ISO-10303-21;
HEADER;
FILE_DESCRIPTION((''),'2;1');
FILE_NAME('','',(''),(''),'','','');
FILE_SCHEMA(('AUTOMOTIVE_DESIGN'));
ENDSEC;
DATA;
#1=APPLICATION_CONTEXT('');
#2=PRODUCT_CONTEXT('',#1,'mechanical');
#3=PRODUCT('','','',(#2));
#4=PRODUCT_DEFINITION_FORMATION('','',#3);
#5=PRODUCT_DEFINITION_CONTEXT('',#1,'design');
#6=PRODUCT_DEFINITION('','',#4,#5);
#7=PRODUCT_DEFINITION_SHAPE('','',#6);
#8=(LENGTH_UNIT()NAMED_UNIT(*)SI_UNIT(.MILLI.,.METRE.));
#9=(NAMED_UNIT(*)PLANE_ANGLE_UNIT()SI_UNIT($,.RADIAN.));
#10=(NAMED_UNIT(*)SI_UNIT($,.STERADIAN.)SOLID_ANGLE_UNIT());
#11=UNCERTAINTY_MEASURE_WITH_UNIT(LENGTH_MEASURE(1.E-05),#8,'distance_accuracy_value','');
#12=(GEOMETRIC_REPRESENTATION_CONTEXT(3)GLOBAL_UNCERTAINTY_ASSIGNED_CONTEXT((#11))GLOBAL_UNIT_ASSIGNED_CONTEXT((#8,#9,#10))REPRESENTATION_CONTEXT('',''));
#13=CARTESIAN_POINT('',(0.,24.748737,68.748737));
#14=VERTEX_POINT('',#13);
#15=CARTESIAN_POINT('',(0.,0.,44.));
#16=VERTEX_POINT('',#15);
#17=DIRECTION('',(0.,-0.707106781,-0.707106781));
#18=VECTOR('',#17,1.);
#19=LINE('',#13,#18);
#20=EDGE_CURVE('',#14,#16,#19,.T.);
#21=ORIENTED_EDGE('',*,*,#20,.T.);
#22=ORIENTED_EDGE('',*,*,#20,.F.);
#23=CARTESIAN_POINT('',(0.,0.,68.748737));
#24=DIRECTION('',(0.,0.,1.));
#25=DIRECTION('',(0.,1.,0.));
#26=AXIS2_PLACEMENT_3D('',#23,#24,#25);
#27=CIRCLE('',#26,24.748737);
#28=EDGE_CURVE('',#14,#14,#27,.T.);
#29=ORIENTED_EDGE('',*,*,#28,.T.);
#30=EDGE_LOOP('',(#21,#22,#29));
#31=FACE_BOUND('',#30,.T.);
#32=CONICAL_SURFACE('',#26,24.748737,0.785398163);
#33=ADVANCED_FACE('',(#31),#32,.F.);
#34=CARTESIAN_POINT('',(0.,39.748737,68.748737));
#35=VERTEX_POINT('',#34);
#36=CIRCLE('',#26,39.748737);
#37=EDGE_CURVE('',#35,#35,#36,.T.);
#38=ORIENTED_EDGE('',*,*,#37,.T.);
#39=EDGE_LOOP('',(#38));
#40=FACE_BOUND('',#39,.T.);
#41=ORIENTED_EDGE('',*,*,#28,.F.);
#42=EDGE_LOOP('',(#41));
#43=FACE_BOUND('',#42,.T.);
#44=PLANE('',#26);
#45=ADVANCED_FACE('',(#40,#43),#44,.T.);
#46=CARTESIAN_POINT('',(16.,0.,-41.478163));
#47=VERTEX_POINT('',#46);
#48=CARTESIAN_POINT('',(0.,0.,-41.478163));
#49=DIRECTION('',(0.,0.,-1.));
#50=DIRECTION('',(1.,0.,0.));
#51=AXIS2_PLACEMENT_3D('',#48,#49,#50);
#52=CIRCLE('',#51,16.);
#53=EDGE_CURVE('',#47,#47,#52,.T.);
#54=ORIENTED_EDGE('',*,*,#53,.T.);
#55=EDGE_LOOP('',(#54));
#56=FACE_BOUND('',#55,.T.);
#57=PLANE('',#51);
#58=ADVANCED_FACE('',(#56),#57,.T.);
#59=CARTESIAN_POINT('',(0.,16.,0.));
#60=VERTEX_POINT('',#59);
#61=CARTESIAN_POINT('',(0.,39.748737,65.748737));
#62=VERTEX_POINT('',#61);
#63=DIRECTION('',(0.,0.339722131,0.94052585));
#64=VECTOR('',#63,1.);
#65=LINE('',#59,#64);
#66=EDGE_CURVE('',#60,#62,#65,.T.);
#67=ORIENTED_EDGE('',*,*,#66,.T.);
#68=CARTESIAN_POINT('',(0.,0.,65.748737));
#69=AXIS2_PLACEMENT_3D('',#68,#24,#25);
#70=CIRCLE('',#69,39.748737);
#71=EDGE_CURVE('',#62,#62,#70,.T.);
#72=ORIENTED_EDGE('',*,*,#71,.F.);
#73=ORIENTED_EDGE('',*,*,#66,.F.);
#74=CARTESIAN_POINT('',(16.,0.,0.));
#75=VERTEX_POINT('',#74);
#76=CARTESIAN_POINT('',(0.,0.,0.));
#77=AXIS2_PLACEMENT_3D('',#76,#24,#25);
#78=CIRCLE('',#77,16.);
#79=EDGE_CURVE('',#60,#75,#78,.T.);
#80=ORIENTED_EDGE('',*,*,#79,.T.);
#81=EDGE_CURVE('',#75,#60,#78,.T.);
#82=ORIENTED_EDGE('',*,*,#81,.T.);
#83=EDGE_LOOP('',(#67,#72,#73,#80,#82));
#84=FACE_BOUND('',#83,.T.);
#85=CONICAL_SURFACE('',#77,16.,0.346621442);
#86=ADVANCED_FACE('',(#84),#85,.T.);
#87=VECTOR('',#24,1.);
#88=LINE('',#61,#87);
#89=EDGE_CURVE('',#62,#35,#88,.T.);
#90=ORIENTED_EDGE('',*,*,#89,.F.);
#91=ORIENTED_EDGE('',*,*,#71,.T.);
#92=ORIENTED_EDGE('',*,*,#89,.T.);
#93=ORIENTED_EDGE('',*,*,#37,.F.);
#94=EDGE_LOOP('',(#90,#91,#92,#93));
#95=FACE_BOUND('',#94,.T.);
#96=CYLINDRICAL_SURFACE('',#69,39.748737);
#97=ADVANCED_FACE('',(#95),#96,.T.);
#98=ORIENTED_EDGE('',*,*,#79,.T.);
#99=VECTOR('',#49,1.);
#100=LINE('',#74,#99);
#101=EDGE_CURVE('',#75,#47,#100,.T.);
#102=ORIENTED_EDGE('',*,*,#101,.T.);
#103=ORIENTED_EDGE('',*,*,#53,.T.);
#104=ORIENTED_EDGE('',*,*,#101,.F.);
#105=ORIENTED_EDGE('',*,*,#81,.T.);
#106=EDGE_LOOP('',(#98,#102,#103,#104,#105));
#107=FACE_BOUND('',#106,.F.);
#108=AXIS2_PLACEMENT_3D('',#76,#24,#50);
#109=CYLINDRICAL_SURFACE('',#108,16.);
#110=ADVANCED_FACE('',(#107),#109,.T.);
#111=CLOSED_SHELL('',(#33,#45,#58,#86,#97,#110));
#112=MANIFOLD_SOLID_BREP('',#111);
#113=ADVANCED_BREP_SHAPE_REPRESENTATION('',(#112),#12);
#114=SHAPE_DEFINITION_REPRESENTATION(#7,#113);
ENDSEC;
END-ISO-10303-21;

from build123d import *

# Parameters (mm, degrees)
F2_R     = 16
F3_DEPTH = 41.478163


with BuildPart() as f1:
    # F0 (on Right) → F1 (revolve)
    with BuildSketch(Plane.YZ):
        Polygon((0, 44), (0, 0), (16, 0), (39.748737, 65.748737), (39.748737, 68.748737), (24.748737, 68.748737), align=None)
    revolve(axis=Axis((0, 0, -29.456243), (0, 0, 1)))

    # F2 (on face) → F3 (join)
    with BuildSketch(Plane(origin=(0, 0, 0), x_dir=(1, 0, 0), z_dir=(0, 0, -1))):
        Circle(F2_R)
    extrude(amount=F3_DEPTH)


solid = f1.part
